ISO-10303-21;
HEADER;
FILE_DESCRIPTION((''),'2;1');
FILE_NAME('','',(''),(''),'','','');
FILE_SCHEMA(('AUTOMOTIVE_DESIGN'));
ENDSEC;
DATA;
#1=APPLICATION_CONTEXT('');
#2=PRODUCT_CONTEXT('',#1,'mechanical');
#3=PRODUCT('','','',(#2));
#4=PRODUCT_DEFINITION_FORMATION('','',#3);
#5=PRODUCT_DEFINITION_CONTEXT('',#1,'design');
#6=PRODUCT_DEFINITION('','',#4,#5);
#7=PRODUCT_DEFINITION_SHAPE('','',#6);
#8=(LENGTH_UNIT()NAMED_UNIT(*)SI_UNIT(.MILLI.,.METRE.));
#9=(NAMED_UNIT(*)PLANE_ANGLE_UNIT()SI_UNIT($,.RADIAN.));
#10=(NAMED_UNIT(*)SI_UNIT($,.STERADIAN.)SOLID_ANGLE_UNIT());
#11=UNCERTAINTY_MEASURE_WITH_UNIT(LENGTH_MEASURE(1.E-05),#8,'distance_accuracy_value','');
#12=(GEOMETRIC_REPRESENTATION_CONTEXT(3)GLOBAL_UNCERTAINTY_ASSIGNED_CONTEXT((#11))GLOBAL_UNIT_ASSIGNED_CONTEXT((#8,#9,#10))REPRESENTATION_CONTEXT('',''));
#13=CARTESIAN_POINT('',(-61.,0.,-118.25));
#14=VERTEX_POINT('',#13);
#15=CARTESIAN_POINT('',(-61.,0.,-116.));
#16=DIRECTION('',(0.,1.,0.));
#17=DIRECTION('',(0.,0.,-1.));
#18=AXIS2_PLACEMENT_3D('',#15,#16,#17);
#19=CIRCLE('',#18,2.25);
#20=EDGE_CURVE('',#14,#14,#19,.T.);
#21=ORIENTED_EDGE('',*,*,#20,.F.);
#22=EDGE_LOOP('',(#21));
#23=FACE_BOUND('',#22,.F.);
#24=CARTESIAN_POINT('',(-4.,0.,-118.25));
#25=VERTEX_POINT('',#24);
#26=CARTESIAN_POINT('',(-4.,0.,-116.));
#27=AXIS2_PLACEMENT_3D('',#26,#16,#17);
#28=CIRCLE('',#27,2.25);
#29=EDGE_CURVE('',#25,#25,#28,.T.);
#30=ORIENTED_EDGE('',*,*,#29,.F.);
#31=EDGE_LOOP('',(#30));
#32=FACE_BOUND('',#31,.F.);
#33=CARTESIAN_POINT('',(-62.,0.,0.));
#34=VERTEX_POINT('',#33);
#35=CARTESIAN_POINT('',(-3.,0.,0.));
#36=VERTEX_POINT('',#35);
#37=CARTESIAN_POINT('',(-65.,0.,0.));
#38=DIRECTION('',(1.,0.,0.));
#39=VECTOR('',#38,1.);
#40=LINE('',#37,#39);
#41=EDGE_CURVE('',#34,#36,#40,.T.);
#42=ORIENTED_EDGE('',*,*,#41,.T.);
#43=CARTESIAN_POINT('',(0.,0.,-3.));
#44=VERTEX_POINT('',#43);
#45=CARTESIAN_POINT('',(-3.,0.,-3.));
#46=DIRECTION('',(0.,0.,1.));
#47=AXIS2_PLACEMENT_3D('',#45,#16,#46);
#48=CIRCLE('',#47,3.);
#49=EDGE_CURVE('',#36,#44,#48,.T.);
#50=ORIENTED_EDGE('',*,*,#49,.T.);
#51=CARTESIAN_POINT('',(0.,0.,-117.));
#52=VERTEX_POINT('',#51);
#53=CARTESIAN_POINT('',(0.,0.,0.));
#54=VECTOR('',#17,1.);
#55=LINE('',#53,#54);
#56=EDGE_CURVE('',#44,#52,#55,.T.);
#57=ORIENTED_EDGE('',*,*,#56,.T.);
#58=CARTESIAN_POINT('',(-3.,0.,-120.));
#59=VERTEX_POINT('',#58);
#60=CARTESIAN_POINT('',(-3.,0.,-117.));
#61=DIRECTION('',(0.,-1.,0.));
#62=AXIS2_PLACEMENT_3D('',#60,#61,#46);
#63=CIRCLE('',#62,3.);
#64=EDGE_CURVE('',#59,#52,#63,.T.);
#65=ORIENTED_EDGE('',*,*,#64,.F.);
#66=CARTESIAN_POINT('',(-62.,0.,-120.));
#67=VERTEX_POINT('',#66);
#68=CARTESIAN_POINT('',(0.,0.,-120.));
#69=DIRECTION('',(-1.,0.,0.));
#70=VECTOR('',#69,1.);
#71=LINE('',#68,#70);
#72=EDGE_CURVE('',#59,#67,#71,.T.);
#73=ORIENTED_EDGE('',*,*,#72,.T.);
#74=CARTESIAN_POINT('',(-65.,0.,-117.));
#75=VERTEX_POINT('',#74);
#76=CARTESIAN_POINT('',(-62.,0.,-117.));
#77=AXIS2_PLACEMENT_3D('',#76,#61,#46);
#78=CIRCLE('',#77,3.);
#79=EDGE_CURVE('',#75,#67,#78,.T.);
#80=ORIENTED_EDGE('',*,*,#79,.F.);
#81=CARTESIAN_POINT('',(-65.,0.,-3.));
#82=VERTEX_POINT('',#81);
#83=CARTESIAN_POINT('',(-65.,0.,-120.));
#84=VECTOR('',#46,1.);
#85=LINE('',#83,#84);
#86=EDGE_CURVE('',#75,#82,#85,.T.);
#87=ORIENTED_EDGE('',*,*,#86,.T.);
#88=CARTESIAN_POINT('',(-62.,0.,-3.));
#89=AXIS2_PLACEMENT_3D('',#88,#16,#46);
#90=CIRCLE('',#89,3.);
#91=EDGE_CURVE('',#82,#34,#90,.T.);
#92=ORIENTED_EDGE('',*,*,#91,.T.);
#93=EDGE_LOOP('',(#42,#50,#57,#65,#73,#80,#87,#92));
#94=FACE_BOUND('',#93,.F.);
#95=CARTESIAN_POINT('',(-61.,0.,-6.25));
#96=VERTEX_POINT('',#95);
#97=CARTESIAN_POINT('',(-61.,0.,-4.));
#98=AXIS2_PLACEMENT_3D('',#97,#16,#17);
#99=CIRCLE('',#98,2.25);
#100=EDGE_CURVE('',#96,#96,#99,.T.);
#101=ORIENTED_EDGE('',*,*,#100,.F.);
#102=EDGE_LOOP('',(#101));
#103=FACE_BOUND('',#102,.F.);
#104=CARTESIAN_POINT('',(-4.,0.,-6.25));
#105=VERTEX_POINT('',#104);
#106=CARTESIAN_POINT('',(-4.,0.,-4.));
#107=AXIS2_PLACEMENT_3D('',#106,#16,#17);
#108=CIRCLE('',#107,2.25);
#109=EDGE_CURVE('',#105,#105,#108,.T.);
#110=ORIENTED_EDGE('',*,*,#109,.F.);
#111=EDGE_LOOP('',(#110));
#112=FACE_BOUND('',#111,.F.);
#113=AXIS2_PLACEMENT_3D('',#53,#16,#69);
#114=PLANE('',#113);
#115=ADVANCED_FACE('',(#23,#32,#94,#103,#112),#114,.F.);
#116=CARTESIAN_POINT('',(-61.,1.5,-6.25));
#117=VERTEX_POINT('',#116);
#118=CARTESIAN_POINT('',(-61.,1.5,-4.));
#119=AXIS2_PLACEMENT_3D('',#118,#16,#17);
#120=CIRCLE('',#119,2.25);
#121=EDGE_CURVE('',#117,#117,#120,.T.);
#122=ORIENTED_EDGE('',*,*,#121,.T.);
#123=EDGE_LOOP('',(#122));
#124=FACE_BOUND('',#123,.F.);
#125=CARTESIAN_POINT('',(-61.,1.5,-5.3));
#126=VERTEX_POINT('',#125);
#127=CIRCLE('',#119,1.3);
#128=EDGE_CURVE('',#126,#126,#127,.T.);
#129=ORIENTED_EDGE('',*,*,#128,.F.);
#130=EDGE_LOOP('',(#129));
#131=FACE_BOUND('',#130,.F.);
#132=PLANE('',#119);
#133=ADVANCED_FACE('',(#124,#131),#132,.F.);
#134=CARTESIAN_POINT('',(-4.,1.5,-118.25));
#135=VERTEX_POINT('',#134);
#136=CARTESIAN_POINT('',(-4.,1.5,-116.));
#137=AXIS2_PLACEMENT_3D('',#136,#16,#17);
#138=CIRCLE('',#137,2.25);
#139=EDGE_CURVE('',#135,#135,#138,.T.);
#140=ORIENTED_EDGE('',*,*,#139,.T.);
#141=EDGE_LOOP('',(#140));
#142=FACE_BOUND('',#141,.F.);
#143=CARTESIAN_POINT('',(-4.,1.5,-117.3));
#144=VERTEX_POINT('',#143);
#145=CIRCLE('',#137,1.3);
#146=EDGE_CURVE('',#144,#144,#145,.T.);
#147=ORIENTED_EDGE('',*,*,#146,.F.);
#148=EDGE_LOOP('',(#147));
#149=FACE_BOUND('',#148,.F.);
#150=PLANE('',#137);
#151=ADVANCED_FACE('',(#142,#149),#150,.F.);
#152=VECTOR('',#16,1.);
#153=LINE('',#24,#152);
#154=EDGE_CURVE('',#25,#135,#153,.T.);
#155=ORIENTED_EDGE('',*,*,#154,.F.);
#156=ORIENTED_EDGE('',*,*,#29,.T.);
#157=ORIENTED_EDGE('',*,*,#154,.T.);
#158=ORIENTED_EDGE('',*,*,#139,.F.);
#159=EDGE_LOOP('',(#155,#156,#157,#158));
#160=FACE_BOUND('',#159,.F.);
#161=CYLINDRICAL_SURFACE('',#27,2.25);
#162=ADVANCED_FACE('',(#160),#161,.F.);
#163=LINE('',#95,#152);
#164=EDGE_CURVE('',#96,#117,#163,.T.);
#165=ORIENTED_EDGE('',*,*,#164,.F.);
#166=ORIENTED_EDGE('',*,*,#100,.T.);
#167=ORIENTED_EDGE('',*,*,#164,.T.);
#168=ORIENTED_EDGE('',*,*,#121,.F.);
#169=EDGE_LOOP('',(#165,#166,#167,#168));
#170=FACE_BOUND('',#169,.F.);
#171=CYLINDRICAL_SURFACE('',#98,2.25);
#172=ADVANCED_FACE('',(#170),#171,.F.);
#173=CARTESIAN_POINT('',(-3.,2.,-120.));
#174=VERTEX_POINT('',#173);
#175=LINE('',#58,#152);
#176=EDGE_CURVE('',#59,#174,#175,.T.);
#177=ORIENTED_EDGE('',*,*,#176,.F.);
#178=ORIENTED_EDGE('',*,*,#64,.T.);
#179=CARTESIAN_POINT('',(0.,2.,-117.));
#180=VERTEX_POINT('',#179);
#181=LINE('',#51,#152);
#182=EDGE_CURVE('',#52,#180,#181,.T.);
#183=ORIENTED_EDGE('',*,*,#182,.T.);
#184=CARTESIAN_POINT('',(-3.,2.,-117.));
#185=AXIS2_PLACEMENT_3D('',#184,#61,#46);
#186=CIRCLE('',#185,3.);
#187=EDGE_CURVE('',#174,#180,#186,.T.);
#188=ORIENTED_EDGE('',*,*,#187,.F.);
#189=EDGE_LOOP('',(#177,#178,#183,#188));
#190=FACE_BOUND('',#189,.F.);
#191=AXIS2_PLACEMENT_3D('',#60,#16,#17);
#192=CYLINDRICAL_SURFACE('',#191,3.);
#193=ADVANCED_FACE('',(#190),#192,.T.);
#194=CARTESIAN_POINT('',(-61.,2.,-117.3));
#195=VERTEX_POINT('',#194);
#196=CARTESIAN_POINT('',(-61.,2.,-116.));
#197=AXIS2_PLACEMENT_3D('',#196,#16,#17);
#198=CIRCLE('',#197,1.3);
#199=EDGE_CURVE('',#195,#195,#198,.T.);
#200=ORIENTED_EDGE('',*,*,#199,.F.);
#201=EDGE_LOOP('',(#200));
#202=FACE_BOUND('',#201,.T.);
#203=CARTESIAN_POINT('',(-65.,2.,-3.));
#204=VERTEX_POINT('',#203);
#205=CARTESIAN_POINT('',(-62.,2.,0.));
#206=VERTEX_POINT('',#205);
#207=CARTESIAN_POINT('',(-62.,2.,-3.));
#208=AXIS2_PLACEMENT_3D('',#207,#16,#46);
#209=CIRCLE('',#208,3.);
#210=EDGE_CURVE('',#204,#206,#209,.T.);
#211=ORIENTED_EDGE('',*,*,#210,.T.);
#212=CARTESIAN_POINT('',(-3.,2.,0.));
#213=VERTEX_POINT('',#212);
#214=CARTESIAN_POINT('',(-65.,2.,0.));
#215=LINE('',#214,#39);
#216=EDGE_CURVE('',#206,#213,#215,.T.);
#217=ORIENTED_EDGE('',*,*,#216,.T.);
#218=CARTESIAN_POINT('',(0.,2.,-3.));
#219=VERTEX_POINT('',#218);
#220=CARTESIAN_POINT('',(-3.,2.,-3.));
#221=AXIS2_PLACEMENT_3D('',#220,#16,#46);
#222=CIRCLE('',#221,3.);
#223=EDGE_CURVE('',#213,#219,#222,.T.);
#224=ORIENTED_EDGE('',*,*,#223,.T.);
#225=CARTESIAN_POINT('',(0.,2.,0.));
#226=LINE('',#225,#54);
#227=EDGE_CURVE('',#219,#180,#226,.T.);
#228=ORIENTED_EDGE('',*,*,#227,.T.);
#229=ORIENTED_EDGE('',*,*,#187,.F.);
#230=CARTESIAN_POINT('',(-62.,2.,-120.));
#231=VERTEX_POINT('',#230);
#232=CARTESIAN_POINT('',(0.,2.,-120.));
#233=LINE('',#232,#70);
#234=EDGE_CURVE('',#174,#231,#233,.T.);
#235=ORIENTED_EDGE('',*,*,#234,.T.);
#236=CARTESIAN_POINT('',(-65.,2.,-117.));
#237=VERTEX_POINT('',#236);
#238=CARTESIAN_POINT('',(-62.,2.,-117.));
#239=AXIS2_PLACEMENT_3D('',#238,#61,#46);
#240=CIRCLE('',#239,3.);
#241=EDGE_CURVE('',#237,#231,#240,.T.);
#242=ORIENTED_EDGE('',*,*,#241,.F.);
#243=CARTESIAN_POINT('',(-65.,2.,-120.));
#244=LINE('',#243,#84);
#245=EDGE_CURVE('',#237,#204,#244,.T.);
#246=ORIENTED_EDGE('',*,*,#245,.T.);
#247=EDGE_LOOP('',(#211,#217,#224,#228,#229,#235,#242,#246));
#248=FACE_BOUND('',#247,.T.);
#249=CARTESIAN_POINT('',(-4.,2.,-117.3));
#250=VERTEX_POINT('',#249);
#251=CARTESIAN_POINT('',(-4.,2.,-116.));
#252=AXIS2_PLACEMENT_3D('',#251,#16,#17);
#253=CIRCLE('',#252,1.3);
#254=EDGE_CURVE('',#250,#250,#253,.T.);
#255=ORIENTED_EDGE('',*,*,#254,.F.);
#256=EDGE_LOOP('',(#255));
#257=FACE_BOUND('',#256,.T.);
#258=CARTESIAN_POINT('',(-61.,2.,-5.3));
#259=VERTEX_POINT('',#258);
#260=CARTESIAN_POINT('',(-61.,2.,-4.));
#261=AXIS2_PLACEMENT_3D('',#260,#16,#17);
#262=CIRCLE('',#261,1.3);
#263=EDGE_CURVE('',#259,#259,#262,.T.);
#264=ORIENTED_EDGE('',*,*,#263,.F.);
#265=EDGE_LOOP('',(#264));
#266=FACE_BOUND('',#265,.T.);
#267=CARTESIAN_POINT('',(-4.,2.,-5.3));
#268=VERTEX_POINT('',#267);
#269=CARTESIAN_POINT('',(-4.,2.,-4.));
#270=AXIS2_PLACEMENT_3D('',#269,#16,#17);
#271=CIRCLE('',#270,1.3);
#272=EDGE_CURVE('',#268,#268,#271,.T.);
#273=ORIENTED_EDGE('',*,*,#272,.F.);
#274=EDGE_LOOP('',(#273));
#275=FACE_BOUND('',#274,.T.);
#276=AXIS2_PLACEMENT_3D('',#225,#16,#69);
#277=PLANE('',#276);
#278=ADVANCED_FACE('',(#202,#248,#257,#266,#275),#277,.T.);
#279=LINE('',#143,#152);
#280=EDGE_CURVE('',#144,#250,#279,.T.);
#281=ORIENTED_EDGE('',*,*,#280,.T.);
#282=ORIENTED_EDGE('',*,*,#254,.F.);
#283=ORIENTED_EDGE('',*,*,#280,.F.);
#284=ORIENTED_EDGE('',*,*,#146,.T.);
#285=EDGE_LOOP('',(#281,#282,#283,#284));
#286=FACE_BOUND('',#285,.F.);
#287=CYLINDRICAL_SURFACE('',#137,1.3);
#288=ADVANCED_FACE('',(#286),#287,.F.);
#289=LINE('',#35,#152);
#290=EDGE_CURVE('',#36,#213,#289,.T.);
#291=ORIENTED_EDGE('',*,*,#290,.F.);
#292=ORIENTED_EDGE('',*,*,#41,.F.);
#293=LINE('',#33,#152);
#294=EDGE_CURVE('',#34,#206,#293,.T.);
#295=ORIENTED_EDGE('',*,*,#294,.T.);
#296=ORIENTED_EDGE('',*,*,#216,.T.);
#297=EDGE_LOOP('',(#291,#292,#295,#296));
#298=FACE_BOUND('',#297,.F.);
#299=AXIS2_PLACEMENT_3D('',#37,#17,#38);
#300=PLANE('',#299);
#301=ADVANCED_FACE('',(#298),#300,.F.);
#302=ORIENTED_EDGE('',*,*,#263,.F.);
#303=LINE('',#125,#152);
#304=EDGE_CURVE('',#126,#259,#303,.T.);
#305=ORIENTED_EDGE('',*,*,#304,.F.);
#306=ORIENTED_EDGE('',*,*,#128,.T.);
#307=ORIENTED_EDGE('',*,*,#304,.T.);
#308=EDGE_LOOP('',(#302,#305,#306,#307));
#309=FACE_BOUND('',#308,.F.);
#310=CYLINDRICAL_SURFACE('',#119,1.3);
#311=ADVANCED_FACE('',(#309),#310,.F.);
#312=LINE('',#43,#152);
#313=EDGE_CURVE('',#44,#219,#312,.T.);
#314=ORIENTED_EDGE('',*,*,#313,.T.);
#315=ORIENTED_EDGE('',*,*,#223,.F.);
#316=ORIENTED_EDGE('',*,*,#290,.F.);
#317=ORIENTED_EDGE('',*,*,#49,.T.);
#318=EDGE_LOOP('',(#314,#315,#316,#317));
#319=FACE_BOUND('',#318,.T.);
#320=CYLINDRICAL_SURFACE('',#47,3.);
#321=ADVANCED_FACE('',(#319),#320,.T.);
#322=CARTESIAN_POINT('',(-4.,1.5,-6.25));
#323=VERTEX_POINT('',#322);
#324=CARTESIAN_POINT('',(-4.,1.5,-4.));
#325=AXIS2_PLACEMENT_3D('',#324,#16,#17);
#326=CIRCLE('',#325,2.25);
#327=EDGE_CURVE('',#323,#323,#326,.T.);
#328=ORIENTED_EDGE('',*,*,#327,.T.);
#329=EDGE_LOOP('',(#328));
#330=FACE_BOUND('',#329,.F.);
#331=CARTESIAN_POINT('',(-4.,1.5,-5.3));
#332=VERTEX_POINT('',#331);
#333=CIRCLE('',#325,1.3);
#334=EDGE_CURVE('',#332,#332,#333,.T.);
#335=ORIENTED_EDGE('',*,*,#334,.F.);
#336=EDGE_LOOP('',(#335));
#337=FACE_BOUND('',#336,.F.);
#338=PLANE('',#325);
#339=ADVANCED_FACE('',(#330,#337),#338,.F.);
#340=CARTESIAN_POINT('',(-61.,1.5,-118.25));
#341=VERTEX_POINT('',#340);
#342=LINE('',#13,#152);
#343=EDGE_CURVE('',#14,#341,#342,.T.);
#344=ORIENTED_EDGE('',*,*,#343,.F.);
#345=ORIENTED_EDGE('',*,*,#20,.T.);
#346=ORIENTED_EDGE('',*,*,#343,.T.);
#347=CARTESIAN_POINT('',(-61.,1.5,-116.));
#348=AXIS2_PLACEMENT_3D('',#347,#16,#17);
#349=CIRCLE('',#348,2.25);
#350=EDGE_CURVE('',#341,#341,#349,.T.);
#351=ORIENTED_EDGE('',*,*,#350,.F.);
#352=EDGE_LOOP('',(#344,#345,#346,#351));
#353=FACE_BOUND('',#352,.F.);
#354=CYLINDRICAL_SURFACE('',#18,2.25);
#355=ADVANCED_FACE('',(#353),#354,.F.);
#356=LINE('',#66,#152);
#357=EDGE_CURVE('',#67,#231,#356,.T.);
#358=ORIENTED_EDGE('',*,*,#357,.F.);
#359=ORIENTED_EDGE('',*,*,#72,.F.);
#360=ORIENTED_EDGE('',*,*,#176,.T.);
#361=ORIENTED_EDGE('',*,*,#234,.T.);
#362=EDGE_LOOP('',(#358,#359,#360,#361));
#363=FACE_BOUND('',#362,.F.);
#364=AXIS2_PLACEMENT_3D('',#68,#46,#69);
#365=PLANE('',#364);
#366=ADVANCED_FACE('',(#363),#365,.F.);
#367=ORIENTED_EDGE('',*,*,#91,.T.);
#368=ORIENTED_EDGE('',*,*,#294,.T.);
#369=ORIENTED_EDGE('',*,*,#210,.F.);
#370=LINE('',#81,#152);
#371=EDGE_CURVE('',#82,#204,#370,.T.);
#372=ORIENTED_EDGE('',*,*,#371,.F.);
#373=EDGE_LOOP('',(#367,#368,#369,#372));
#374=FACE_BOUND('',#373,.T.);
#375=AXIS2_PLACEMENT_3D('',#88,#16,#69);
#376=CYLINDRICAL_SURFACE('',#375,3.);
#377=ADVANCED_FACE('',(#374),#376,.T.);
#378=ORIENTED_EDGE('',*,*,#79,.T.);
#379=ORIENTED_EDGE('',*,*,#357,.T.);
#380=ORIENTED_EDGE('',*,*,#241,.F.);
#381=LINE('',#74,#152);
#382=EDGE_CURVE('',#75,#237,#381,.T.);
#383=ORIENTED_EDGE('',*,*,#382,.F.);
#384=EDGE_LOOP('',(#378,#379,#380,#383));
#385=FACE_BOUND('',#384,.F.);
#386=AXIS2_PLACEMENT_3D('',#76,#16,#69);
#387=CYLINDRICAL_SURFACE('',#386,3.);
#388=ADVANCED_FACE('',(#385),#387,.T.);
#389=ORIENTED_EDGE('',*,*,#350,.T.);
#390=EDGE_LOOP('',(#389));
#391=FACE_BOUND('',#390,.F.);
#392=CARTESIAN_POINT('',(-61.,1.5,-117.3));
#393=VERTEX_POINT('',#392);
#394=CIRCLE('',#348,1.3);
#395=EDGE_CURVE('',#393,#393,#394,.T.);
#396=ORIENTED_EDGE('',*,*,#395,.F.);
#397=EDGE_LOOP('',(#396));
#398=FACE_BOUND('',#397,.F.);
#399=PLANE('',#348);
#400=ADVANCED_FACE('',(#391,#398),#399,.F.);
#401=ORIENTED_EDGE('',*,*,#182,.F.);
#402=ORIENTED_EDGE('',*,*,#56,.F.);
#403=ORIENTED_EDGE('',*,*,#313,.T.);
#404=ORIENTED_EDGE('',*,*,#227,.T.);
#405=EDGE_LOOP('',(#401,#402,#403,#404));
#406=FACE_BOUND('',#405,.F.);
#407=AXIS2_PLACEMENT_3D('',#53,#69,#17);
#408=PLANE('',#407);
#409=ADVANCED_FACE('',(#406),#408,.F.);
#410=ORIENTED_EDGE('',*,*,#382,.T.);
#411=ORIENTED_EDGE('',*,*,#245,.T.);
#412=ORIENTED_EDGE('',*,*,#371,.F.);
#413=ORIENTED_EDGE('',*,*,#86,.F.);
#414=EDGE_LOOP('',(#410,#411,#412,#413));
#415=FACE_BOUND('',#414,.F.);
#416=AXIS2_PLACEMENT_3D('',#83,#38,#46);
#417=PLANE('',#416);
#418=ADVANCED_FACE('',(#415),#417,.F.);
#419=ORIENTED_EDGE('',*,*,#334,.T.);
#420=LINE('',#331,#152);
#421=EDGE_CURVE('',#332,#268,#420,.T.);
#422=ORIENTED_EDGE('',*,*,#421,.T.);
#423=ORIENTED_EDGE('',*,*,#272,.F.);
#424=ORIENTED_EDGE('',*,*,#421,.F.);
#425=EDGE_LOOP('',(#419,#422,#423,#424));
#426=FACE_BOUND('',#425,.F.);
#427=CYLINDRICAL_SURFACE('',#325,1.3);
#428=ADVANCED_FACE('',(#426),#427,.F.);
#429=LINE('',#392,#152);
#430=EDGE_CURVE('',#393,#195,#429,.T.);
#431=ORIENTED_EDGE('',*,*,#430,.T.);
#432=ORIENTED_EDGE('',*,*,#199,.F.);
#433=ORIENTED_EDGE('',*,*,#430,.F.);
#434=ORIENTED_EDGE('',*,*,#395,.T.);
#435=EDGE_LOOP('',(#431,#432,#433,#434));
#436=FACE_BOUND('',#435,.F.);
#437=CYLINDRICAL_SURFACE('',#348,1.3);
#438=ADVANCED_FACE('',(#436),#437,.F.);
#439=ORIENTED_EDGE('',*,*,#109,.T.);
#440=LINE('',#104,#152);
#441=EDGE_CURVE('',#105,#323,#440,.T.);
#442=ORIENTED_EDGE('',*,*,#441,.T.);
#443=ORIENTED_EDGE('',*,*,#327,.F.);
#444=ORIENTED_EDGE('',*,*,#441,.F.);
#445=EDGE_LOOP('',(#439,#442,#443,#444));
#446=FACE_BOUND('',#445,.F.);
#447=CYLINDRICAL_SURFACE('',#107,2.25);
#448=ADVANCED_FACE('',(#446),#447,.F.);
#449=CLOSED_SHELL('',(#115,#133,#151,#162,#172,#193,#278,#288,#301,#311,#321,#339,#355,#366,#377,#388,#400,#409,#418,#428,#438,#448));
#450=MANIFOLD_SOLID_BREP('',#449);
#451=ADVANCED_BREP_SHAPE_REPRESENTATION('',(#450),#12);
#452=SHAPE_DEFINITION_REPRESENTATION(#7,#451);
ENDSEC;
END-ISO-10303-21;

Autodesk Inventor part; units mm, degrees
ref_plane "YZ Plane" through (0, 0, 0) normal (1, 0, 0) x (0, 1, 0)
ref_plane "XZ Plane" through (0, 0, 0) normal (0, 1, 0) x (-1, 0, 0)
ref_plane "XY Plane" through (0, 0, 0) normal (0, 0, 1) x (1, 0, 0)
sketch "Szkic1" plane through (0, 0, 0) normal (0, 1, 0) x (-1, 0, 0)
  line L0 (65, 0) -> (0, 0)
  line L1 (0, 0) -> (0, -120)
  line L2 (0, -120) -> (65, -120)
  line L3 (65, -120) -> (65, 0)
  dimension "d0" = 120
  dimension "d1" = 65
extrude "Gabaryt" add sketch "Szkic1" along normal blind 2
sketch "Szkic2" plane through (0, 0, 0) normal (0, 1, 0) x (1, 0, 0)
  line L0 (0, 0) -> (0, 120) projected
  line L1 (-65, 0) -> (0, 0) projected
  line L2 (-65, 120) -> (-65, 0) projected
  line L3 (0, 120) -> (-65, 120) projected
  line L4 (-65, 60) -> (0, 60)
  line L5 (-32.5, 120) -> (-32.5, 0)
  point P0 (-4, 4)
  point P1 (-61, 4)
  point P2 (-4, 116)
  point P3 (-61, 116)
  dimension "d4" = 4
  dimension "d5" = 4
hole "Otwory montażowe" at (-4, 0, -4) at (-61, 0, -4) at (-61, 0, -116) at (-4, 0, -116) direction (0, 1, 0) diameter 2.6 end through all counterbore diameter 4.5 counterbore depth 1.5
fillet "Zaokrąglenie1" radius 3 4 edges at (0, 1, 0) (-65, 1, 0) (-65, 1, -120) (0, 1, -120)
equation "\"d0\" = podstawa_a"
equation "\"d1\" = podstawa_b"
equation "\"d2\" = podstawa_wys"
equation "\"d4\" = podstawa_otwory_montazowe_poz_x"
equation "\"d5\" = podstawa_otwory_montazowe_poz_y"
equation "\"d6\" = gniazdo_M2_D2"
equation "\"d8\" = gniazdo_M2_D1"
equation "\"d9\" = gniazdo_M2_glebokosc"
equation "\"d13\" = podstawa_zaokraglenie"
equation "\"podstawa_a\" = 120"
equation "\"podstawa_b\" = 65"
equation "\"podstawa_wys\" = 2"
equation "\"podstawa_otwory_montazowe_poz_y\" = 4"
equation "\"podstawa_otwory_montazowe_poz_x\" = 4"
equation "\"gniazdo_M2_D1\" = 4.5"
equation "\"gniazdo_M2_glebokosc\" = 1.5"
equation "\"gniazdo_M2_D2\" = 2.6"
equation "\"obudowa_b\" = 65"
equation "\"obudowa_wys\" = 36"
equation "\"obudowa_grubosc\" = 2"
equation "\"obudowa_prowadnica_odsuniecie\" = 2"
equation "\"obudowa_prowadnica_grubosc\" = 2"
equation "\"obudowa_kontrolki_a\" = 38"
equation "\"obudowa_prowadnica_wys\" = 19"
equation "\"obudowa_otwory_montazowe_poz_y\" = 4"
equation "\"obudowa_otwory_montazowe_poz_x\" = 4"
equation "\"obudowa_otwory_montazowe_material_y\" = 8"
equation "\"obudowa_otwory_montazowe_material_x\" = 8"
equation "\"insert_D\" = 2.4"
equation "\"insert_glebokosc\" = 5.5"
equation "\"obudowa_zaokraglenie\" = 3"
equation "\"podstawa_zaokraglenie\" = 3"
equation "\"obudowa_otwory_io_wys\" = 15"
equation "\"obudowa_otwory_io_D\" = 15"
equation "\"obudowa_otwory_io1_wys\" = 15"
equation "\"obudowa_otwory_io1_D\" = 11.5"
equation "\"obudowa_otwory_io2_wys\" = 15"
equation "\"obudowa_otwory_io2_D\" = 11.5"
equation "\"obudowa_otwory_pot_D\" = 8"
equation "\"input_b\" = 14.4"
equation "\"input_wys\" = 11"
equation "\"input_a\" = 9"
properties part number "podstawa" material "Tworzywo sztuczne PET"
